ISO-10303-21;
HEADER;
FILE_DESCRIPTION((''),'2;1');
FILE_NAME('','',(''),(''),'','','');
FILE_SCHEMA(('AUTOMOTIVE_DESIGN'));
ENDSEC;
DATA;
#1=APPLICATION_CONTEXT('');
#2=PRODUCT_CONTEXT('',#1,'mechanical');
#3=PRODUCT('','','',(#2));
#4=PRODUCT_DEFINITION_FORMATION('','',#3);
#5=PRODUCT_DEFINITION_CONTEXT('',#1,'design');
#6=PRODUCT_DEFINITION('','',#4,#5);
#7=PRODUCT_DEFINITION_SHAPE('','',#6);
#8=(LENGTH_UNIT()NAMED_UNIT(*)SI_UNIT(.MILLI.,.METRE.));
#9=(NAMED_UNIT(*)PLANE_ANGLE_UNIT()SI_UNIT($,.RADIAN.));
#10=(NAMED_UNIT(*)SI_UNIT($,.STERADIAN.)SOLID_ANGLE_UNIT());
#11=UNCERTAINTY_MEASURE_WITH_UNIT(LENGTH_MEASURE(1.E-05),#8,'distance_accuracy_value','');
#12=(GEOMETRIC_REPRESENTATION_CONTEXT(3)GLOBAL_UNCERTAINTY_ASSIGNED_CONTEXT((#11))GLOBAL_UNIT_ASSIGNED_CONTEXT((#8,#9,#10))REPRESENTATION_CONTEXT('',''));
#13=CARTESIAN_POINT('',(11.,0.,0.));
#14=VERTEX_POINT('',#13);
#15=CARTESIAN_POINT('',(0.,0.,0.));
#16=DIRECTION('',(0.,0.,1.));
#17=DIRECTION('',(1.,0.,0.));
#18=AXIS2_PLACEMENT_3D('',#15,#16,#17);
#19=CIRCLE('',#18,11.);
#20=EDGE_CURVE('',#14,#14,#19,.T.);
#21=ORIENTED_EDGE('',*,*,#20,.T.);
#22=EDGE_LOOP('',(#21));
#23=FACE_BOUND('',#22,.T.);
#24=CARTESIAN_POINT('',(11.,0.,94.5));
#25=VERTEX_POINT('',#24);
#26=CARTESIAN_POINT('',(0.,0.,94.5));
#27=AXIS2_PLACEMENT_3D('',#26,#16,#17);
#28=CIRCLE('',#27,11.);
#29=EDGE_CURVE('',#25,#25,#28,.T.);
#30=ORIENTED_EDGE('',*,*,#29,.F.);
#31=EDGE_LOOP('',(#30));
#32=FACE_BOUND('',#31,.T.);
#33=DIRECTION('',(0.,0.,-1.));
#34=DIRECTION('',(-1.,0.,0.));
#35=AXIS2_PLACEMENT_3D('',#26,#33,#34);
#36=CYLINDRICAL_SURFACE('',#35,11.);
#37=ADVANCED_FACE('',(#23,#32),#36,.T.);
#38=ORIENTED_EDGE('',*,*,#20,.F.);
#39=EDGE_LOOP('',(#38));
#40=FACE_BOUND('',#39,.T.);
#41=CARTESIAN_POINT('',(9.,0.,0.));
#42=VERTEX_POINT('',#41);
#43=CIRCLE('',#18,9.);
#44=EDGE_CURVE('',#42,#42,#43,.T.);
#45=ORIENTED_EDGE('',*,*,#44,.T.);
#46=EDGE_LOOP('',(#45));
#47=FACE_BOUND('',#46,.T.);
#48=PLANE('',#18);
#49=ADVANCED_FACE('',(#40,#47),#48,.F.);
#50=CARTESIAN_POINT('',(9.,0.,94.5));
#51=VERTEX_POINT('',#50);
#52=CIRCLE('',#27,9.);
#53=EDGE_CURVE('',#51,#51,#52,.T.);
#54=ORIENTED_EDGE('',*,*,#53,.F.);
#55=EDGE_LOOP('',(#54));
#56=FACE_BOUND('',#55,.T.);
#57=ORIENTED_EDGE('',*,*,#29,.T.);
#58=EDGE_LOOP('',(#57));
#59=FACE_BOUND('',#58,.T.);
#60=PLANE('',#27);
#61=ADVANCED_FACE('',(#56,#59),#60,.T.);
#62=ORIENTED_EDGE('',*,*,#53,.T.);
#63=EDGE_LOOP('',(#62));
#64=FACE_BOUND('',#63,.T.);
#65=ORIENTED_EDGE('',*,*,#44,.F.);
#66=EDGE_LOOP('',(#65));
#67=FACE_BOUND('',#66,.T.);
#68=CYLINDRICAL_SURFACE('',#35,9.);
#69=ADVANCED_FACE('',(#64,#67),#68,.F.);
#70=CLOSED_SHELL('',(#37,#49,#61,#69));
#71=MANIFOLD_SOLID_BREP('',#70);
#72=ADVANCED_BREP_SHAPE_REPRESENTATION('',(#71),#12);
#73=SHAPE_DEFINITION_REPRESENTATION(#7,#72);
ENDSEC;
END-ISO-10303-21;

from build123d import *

# Parameters (mm, degrees)
SKETCH_1_R      = 11
SKETCH_1_R_2    = 9
EXTRUDE_1_DEPTH = 94.5


with BuildPart() as part:
    # 스케치1 → 보스-돌출1 (new body)
    with BuildSketch(Plane.XY):
        Circle(SKETCH_1_R)
        Circle(SKETCH_1_R_2, mode=Mode.SUBTRACT)
    extrude(amount=EXTRUDE_1_DEPTH)


solid = part.part
